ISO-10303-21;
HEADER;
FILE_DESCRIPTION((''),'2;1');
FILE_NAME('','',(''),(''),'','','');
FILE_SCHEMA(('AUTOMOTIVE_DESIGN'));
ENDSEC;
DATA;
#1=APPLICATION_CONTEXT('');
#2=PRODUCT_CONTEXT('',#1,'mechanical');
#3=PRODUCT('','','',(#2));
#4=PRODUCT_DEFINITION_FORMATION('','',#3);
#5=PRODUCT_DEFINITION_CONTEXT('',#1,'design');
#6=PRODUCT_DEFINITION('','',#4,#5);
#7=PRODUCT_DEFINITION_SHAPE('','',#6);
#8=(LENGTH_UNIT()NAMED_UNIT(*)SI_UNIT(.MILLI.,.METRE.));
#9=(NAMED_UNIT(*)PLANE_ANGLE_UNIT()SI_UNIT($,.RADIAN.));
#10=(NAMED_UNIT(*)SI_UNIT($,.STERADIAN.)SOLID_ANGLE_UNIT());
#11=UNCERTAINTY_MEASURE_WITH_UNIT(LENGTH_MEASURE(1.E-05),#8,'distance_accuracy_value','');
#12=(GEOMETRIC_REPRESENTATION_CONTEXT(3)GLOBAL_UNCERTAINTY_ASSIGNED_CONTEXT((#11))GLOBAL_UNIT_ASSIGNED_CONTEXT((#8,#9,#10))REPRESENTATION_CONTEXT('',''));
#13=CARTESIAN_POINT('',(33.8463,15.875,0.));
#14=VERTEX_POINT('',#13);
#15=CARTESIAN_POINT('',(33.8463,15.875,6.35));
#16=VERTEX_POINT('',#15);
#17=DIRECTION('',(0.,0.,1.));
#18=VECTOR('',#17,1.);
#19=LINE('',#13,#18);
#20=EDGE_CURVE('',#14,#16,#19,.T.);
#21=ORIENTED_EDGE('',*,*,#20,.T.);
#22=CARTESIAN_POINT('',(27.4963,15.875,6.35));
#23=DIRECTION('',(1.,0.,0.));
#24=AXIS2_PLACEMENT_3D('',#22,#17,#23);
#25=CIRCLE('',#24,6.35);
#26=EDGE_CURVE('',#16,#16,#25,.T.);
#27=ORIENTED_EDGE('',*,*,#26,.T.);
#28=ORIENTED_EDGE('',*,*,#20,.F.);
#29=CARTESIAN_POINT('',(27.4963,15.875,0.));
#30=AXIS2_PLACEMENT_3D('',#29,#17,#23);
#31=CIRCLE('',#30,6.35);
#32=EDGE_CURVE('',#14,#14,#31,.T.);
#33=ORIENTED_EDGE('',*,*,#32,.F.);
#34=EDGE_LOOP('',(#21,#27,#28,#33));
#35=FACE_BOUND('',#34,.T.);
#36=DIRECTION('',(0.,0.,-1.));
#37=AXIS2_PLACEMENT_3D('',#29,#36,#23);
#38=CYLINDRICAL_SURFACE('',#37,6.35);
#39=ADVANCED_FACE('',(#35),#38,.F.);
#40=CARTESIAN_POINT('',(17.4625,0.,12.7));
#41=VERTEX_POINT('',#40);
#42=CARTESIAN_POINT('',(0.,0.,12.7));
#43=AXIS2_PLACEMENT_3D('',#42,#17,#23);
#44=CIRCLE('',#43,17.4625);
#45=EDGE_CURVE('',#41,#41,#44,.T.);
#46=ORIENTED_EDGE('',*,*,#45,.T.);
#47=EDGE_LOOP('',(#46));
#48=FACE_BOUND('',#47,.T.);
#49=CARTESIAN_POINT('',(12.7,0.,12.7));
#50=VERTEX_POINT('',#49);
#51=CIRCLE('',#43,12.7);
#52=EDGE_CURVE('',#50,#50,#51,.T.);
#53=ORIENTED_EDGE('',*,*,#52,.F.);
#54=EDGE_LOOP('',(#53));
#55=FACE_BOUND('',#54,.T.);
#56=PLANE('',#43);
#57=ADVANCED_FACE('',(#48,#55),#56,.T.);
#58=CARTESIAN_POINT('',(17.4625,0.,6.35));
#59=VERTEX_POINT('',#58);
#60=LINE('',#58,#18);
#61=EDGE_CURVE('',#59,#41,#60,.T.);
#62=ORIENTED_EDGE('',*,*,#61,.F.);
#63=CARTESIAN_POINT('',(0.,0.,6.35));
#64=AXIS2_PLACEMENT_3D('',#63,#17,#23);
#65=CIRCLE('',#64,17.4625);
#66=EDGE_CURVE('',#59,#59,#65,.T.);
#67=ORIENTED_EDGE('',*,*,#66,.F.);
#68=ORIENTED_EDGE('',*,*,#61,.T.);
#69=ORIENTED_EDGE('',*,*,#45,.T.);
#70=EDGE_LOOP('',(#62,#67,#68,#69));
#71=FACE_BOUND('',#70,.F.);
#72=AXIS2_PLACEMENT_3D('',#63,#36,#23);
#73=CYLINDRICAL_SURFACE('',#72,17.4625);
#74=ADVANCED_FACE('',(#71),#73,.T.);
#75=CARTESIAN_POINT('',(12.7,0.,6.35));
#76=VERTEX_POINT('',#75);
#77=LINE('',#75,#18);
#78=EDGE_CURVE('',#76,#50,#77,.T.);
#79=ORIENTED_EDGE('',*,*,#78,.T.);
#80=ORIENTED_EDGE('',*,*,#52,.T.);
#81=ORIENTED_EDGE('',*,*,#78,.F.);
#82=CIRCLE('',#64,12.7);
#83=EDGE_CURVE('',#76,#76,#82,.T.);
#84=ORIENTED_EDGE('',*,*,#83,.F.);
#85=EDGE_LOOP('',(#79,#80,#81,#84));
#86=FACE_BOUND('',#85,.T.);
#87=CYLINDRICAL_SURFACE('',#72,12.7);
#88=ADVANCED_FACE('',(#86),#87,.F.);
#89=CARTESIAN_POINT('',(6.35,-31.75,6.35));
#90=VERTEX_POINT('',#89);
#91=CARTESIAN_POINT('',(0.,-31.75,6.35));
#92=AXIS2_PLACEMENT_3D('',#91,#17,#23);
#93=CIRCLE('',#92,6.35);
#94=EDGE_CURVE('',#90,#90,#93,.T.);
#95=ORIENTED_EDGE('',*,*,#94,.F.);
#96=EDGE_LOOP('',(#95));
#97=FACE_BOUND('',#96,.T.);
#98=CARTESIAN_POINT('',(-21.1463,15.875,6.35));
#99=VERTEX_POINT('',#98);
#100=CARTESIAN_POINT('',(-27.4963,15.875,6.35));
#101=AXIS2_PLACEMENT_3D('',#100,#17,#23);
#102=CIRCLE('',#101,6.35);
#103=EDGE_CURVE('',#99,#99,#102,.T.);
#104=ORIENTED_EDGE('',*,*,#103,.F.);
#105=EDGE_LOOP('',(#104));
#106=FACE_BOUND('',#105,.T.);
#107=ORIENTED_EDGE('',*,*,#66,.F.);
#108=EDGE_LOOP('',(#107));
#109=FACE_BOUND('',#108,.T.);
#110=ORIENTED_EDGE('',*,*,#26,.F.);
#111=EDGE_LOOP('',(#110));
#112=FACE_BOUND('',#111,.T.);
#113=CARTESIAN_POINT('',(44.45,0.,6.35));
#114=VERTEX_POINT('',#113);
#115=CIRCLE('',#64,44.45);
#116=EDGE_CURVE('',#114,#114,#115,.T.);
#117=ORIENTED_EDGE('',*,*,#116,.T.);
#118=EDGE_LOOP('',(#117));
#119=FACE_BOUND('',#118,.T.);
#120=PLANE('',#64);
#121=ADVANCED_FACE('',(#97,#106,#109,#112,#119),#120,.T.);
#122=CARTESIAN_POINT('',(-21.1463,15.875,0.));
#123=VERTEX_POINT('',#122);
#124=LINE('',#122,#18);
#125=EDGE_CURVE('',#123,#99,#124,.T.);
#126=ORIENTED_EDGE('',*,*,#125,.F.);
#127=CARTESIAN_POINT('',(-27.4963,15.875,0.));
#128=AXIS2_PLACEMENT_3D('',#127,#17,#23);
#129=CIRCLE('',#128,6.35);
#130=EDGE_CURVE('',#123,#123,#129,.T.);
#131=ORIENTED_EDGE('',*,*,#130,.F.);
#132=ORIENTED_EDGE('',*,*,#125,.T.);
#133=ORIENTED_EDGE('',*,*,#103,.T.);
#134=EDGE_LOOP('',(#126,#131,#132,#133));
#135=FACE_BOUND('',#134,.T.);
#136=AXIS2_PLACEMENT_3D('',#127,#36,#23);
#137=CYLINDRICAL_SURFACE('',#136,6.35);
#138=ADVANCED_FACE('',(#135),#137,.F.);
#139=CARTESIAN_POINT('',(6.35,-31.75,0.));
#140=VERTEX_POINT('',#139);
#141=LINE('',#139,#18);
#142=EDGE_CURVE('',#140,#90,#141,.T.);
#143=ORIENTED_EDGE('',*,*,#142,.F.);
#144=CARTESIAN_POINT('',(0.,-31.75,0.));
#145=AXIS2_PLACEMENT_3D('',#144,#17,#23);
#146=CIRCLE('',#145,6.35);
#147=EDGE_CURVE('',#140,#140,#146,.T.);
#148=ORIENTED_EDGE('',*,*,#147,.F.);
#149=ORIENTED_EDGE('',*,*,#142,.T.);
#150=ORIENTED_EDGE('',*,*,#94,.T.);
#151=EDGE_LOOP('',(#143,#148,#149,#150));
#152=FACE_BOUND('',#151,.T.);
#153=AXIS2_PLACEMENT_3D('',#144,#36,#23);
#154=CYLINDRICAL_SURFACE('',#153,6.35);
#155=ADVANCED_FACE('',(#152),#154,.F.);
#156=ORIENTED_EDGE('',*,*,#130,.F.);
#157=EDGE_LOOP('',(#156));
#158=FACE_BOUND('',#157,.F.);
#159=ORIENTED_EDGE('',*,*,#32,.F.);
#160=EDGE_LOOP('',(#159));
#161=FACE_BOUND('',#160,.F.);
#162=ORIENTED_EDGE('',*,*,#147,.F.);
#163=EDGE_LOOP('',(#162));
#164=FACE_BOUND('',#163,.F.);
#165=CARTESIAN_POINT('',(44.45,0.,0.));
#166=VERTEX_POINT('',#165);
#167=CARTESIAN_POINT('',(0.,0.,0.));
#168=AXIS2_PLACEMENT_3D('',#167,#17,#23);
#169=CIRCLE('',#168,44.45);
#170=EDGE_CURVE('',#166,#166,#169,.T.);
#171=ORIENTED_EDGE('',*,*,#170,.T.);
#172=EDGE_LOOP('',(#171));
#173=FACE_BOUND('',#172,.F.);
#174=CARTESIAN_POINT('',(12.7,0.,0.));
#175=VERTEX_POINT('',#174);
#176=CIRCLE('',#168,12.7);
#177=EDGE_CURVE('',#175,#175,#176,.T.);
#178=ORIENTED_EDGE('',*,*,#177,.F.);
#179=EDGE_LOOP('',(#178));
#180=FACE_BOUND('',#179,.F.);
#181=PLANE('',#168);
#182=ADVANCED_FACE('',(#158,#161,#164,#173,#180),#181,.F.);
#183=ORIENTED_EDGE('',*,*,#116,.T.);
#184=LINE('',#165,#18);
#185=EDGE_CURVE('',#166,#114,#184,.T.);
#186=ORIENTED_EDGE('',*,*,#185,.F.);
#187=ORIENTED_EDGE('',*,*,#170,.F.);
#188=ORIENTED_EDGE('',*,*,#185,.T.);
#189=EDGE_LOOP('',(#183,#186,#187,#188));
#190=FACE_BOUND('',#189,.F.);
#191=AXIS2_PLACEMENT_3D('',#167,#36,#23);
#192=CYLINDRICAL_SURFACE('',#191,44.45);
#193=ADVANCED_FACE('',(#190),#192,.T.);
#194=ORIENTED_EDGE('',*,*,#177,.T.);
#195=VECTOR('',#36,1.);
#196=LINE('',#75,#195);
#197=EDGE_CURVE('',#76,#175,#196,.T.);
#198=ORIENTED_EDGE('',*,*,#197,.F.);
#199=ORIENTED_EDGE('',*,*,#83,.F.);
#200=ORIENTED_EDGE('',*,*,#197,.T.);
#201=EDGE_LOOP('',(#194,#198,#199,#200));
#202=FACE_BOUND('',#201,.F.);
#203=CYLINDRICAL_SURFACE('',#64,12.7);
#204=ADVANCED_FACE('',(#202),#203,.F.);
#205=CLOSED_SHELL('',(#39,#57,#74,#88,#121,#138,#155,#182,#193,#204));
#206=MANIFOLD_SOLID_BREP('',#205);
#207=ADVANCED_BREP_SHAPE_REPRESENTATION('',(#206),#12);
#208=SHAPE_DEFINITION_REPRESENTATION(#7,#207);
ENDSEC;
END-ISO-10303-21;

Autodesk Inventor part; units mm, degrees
ref_plane "YZ Plane" through (0, 0, 0) normal (1, 0, 0) x (0, 1, 0)
ref_plane "XZ Plane" through (0, 0, 0) normal (0, 1, 0) x (-1, 0, 0)
ref_plane "XY Plane" through (0, 0, 0) normal (0, 0, 1) x (1, 0, 0)
sketch "Sketch1" plane through (0, 0, 0) normal (0, 0, 1) x (1, 0, 0)
  circle A0 centre (0, 0) radius 44.45
  circle A1 centre (-27.4963, 15.875) radius 6.35
  circle A2 centre (27.4963, 15.875) radius 6.35
  circle A3 centre (0, -31.75) radius 6.35
  dimension "d1" = 88.9
  dimension "d7" = 12.7
  dimension "d8" = 12.7
  dimension "d9" = 12.7
extrude "Extrusion3" add sketch "Sketch1" along normal blind 6.35
sketch "Sketch2" plane through (0, 0, 6.35) normal (0, 0, 1) x (1, 0, 0)
  circle A0 centre (0, 0) radius 12.7
  circle A1 centre (0, 0) radius 17.4625
  dimension "d16" = 25.4
  dimension "d17" = 34.925
extrude "Extrusion4" add sketch "Sketch2" along normal blind 6.35
sketch "Sketch3" plane through (0, 0, 6.35) normal (0, 0, 1) x (1, 0, 0)
  circle A0 centre (0, 0) radius 12.7
  dimension "d20" = 25.4
extrude "Extrusion5" cut sketch "Sketch3" against normal through all
properties part number "Assignment 1.6 Circular Spacer"
